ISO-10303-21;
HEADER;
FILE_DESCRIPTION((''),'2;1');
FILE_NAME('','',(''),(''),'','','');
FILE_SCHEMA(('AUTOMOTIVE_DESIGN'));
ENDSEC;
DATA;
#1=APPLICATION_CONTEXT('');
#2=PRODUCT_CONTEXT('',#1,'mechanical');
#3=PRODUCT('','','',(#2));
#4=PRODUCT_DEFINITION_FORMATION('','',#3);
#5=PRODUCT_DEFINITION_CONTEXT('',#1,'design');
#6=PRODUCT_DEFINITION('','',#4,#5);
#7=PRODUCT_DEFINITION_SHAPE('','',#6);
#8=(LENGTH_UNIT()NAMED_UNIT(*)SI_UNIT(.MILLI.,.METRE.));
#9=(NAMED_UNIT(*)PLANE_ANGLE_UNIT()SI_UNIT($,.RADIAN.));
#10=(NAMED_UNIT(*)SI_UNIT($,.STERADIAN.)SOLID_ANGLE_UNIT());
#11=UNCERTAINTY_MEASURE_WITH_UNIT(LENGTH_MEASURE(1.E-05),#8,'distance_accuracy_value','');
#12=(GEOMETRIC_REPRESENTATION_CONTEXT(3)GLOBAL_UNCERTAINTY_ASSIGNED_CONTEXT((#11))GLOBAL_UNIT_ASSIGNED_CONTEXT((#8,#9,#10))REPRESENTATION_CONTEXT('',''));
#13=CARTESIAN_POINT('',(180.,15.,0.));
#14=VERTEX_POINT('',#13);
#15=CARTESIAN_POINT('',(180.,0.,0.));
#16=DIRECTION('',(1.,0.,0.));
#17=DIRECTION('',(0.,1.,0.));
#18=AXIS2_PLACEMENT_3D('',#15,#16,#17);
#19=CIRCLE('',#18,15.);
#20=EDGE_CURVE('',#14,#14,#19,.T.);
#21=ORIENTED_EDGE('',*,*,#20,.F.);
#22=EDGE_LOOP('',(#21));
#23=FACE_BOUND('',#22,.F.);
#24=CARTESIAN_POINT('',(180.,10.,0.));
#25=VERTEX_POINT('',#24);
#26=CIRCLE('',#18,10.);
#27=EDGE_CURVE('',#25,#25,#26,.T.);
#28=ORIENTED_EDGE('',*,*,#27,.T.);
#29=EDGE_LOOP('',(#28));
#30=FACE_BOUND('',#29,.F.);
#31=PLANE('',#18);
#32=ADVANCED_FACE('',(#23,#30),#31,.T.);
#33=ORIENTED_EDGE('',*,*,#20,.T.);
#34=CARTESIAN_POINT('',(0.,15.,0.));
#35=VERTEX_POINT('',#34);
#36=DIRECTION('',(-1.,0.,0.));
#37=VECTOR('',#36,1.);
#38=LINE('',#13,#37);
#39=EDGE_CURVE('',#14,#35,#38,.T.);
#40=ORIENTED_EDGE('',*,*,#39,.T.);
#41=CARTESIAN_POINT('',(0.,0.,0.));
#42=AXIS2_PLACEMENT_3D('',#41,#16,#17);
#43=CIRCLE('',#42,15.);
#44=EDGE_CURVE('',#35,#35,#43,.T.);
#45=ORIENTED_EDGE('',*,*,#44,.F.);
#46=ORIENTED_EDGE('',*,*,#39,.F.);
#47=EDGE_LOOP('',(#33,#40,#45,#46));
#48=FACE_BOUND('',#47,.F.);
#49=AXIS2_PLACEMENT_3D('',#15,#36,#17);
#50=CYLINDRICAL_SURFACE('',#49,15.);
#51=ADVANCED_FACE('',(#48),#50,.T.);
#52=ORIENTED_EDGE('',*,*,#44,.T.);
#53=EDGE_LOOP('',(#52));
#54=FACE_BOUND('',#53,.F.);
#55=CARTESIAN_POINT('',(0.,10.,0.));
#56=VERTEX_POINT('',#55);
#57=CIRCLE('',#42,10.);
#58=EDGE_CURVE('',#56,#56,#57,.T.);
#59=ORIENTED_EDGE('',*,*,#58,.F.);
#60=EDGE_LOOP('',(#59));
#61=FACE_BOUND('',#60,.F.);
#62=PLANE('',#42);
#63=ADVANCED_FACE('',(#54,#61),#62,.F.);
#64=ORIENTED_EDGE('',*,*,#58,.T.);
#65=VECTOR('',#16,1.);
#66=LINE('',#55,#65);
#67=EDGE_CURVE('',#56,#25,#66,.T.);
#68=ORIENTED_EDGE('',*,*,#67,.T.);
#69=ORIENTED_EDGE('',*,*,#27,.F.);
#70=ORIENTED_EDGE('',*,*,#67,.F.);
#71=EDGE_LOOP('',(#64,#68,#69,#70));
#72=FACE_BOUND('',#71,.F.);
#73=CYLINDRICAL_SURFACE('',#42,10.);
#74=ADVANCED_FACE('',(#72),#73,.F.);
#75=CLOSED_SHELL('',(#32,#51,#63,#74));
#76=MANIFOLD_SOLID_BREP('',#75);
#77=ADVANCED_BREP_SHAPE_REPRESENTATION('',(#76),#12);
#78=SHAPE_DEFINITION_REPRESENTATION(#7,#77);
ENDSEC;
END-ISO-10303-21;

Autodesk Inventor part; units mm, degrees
ref_plane "YZ Plane" through (0, 0, 0) normal (1, 0, 0) x (0, 1, 0)
ref_plane "XZ Plane" through (0, 0, 0) normal (0, 1, 0) x (-1, 0, 0)
ref_plane "XY Plane" through (0, 0, 0) normal (0, 0, 1) x (1, 0, 0)
sketch "Sketch_1" plane through (0, 0, 0) normal (0, 0, 1) x (1, 0, 0)
  line L0 (180, 0) -> (0, 0)
  line L1 (0, 10) -> (180, 10)
  line L2 (180, 10) -> (180, 15)
  line L3 (180, 15) -> (0, 15)
  line L4 (0, 15) -> (0, 10)
  dimension "d1" = 180
  dimension "d2" = 5
  dimension "d3" = 10
  dimension "d4" = 180
revolve "Revolution1" add sketch "Sketch_1" angle 360 about axis through (180, 0, 0) along (1, 0, 0)
properties part number "PIJX30-20-150"
